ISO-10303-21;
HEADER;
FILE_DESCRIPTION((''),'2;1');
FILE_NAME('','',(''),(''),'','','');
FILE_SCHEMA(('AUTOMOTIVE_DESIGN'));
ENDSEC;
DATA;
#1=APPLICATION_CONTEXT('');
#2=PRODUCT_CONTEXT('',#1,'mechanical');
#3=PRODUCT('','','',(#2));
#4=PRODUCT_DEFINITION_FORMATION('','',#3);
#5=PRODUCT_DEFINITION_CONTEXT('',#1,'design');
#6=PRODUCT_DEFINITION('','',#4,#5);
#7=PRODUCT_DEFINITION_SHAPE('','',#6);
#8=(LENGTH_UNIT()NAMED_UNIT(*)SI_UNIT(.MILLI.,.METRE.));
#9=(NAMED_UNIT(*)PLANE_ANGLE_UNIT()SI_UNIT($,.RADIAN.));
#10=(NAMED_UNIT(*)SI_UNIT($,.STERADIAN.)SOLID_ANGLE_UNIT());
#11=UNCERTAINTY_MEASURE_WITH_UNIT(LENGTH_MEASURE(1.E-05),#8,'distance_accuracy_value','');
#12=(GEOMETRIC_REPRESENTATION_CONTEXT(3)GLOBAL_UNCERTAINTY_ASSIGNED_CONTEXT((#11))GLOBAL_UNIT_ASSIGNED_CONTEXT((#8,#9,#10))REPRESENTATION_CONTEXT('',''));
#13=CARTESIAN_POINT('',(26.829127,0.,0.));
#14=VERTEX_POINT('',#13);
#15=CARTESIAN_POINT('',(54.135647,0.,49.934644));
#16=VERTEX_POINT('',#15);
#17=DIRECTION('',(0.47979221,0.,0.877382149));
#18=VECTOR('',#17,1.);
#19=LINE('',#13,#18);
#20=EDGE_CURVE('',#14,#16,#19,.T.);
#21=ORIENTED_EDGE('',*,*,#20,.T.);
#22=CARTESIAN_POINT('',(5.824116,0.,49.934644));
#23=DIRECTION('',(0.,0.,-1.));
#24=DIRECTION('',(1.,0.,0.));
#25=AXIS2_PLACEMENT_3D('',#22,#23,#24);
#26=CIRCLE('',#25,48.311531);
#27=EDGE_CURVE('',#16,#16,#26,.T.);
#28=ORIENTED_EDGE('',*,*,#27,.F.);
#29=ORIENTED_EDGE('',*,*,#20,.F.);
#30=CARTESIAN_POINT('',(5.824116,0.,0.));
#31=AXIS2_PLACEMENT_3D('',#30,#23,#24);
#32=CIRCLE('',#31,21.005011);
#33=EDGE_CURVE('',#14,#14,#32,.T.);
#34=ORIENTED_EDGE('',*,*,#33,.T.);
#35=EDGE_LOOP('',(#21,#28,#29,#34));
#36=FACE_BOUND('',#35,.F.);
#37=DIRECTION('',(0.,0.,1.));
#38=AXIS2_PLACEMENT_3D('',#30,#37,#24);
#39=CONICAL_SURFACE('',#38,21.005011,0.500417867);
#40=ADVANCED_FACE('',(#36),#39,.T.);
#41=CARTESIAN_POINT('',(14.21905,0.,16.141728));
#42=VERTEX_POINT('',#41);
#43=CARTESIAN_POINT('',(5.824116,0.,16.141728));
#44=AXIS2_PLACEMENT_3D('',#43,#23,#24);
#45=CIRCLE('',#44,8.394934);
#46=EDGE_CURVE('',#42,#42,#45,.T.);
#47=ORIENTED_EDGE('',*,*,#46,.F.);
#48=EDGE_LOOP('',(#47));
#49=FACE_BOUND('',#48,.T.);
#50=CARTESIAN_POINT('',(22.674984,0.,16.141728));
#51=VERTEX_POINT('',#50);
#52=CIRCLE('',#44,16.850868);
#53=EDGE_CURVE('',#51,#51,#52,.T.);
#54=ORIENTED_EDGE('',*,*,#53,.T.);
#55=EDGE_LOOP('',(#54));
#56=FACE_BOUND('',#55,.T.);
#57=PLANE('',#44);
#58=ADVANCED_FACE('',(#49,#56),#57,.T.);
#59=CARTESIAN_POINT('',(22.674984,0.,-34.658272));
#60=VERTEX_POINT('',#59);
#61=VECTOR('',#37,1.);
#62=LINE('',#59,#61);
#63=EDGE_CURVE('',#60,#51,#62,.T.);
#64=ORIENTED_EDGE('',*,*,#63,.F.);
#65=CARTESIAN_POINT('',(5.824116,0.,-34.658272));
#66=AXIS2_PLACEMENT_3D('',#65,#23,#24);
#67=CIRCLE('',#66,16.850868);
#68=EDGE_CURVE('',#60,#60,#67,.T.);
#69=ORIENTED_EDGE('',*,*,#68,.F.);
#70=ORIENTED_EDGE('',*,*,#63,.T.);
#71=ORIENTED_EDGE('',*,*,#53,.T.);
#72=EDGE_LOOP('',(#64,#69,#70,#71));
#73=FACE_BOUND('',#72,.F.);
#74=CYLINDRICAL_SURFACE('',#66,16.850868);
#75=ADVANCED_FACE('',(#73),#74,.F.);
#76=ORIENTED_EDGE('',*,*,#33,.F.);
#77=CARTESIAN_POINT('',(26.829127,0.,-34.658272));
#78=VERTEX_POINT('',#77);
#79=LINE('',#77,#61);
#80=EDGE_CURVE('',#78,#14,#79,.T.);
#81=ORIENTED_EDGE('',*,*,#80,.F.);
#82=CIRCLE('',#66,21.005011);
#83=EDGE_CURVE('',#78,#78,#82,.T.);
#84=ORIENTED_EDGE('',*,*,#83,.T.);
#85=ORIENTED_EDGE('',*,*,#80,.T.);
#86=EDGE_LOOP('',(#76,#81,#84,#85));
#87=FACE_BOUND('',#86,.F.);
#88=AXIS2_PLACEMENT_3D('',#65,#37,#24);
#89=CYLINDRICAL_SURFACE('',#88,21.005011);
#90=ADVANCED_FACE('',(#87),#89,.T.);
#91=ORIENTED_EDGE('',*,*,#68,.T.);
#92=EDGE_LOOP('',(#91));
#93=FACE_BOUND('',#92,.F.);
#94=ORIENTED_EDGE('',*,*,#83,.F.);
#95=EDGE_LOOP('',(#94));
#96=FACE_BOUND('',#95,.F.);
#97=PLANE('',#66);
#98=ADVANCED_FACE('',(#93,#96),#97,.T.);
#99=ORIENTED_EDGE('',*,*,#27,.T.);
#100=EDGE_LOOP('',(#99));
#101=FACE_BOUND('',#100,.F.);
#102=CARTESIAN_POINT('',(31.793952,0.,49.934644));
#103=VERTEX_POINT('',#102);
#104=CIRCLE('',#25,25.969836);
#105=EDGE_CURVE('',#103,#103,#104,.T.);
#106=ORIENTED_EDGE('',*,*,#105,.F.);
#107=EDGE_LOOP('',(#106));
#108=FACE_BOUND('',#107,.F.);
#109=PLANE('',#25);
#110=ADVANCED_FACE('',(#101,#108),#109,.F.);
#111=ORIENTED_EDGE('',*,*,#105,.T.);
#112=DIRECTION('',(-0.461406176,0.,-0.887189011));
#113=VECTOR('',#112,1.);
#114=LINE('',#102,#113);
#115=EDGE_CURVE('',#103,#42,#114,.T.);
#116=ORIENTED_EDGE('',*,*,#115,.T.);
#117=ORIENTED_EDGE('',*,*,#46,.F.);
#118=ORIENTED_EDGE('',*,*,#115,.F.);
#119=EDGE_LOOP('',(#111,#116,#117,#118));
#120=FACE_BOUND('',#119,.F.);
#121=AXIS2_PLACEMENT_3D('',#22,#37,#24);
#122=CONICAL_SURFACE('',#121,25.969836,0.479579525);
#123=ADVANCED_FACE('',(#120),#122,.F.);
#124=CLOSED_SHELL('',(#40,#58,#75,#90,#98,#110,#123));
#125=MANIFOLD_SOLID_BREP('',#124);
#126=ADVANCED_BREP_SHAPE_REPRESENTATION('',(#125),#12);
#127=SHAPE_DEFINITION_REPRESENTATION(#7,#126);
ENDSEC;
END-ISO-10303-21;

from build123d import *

# Parameters (mm, degrees)
F2_R     = 16.850868
F3_DEPTH = 50.8


with BuildPart() as f1:
    # F0 (on Front) → F1 (revolve)
    with BuildSketch(Plane.XZ):
        Polygon((31.793952, 49.934644), (5.824116, 0), (5.824116, -34.658272), (26.829127, -34.658272), (26.829127, 0), (54.135647, 49.934644), align=None)
    revolve(axis=Axis((5.824116, 0, -17.329136), (0, 0, -1)))

    # F2 (on face) → F3 (cut)
    with BuildSketch(Plane(origin=(0, 0, -34.658272), x_dir=(1, 0, 0), z_dir=(0, 0, -1))):
        with Locations((5.824116, 0)):
            Circle(F2_R)
    extrude(amount=-F3_DEPTH, mode=Mode.SUBTRACT)


solid = f1.part
